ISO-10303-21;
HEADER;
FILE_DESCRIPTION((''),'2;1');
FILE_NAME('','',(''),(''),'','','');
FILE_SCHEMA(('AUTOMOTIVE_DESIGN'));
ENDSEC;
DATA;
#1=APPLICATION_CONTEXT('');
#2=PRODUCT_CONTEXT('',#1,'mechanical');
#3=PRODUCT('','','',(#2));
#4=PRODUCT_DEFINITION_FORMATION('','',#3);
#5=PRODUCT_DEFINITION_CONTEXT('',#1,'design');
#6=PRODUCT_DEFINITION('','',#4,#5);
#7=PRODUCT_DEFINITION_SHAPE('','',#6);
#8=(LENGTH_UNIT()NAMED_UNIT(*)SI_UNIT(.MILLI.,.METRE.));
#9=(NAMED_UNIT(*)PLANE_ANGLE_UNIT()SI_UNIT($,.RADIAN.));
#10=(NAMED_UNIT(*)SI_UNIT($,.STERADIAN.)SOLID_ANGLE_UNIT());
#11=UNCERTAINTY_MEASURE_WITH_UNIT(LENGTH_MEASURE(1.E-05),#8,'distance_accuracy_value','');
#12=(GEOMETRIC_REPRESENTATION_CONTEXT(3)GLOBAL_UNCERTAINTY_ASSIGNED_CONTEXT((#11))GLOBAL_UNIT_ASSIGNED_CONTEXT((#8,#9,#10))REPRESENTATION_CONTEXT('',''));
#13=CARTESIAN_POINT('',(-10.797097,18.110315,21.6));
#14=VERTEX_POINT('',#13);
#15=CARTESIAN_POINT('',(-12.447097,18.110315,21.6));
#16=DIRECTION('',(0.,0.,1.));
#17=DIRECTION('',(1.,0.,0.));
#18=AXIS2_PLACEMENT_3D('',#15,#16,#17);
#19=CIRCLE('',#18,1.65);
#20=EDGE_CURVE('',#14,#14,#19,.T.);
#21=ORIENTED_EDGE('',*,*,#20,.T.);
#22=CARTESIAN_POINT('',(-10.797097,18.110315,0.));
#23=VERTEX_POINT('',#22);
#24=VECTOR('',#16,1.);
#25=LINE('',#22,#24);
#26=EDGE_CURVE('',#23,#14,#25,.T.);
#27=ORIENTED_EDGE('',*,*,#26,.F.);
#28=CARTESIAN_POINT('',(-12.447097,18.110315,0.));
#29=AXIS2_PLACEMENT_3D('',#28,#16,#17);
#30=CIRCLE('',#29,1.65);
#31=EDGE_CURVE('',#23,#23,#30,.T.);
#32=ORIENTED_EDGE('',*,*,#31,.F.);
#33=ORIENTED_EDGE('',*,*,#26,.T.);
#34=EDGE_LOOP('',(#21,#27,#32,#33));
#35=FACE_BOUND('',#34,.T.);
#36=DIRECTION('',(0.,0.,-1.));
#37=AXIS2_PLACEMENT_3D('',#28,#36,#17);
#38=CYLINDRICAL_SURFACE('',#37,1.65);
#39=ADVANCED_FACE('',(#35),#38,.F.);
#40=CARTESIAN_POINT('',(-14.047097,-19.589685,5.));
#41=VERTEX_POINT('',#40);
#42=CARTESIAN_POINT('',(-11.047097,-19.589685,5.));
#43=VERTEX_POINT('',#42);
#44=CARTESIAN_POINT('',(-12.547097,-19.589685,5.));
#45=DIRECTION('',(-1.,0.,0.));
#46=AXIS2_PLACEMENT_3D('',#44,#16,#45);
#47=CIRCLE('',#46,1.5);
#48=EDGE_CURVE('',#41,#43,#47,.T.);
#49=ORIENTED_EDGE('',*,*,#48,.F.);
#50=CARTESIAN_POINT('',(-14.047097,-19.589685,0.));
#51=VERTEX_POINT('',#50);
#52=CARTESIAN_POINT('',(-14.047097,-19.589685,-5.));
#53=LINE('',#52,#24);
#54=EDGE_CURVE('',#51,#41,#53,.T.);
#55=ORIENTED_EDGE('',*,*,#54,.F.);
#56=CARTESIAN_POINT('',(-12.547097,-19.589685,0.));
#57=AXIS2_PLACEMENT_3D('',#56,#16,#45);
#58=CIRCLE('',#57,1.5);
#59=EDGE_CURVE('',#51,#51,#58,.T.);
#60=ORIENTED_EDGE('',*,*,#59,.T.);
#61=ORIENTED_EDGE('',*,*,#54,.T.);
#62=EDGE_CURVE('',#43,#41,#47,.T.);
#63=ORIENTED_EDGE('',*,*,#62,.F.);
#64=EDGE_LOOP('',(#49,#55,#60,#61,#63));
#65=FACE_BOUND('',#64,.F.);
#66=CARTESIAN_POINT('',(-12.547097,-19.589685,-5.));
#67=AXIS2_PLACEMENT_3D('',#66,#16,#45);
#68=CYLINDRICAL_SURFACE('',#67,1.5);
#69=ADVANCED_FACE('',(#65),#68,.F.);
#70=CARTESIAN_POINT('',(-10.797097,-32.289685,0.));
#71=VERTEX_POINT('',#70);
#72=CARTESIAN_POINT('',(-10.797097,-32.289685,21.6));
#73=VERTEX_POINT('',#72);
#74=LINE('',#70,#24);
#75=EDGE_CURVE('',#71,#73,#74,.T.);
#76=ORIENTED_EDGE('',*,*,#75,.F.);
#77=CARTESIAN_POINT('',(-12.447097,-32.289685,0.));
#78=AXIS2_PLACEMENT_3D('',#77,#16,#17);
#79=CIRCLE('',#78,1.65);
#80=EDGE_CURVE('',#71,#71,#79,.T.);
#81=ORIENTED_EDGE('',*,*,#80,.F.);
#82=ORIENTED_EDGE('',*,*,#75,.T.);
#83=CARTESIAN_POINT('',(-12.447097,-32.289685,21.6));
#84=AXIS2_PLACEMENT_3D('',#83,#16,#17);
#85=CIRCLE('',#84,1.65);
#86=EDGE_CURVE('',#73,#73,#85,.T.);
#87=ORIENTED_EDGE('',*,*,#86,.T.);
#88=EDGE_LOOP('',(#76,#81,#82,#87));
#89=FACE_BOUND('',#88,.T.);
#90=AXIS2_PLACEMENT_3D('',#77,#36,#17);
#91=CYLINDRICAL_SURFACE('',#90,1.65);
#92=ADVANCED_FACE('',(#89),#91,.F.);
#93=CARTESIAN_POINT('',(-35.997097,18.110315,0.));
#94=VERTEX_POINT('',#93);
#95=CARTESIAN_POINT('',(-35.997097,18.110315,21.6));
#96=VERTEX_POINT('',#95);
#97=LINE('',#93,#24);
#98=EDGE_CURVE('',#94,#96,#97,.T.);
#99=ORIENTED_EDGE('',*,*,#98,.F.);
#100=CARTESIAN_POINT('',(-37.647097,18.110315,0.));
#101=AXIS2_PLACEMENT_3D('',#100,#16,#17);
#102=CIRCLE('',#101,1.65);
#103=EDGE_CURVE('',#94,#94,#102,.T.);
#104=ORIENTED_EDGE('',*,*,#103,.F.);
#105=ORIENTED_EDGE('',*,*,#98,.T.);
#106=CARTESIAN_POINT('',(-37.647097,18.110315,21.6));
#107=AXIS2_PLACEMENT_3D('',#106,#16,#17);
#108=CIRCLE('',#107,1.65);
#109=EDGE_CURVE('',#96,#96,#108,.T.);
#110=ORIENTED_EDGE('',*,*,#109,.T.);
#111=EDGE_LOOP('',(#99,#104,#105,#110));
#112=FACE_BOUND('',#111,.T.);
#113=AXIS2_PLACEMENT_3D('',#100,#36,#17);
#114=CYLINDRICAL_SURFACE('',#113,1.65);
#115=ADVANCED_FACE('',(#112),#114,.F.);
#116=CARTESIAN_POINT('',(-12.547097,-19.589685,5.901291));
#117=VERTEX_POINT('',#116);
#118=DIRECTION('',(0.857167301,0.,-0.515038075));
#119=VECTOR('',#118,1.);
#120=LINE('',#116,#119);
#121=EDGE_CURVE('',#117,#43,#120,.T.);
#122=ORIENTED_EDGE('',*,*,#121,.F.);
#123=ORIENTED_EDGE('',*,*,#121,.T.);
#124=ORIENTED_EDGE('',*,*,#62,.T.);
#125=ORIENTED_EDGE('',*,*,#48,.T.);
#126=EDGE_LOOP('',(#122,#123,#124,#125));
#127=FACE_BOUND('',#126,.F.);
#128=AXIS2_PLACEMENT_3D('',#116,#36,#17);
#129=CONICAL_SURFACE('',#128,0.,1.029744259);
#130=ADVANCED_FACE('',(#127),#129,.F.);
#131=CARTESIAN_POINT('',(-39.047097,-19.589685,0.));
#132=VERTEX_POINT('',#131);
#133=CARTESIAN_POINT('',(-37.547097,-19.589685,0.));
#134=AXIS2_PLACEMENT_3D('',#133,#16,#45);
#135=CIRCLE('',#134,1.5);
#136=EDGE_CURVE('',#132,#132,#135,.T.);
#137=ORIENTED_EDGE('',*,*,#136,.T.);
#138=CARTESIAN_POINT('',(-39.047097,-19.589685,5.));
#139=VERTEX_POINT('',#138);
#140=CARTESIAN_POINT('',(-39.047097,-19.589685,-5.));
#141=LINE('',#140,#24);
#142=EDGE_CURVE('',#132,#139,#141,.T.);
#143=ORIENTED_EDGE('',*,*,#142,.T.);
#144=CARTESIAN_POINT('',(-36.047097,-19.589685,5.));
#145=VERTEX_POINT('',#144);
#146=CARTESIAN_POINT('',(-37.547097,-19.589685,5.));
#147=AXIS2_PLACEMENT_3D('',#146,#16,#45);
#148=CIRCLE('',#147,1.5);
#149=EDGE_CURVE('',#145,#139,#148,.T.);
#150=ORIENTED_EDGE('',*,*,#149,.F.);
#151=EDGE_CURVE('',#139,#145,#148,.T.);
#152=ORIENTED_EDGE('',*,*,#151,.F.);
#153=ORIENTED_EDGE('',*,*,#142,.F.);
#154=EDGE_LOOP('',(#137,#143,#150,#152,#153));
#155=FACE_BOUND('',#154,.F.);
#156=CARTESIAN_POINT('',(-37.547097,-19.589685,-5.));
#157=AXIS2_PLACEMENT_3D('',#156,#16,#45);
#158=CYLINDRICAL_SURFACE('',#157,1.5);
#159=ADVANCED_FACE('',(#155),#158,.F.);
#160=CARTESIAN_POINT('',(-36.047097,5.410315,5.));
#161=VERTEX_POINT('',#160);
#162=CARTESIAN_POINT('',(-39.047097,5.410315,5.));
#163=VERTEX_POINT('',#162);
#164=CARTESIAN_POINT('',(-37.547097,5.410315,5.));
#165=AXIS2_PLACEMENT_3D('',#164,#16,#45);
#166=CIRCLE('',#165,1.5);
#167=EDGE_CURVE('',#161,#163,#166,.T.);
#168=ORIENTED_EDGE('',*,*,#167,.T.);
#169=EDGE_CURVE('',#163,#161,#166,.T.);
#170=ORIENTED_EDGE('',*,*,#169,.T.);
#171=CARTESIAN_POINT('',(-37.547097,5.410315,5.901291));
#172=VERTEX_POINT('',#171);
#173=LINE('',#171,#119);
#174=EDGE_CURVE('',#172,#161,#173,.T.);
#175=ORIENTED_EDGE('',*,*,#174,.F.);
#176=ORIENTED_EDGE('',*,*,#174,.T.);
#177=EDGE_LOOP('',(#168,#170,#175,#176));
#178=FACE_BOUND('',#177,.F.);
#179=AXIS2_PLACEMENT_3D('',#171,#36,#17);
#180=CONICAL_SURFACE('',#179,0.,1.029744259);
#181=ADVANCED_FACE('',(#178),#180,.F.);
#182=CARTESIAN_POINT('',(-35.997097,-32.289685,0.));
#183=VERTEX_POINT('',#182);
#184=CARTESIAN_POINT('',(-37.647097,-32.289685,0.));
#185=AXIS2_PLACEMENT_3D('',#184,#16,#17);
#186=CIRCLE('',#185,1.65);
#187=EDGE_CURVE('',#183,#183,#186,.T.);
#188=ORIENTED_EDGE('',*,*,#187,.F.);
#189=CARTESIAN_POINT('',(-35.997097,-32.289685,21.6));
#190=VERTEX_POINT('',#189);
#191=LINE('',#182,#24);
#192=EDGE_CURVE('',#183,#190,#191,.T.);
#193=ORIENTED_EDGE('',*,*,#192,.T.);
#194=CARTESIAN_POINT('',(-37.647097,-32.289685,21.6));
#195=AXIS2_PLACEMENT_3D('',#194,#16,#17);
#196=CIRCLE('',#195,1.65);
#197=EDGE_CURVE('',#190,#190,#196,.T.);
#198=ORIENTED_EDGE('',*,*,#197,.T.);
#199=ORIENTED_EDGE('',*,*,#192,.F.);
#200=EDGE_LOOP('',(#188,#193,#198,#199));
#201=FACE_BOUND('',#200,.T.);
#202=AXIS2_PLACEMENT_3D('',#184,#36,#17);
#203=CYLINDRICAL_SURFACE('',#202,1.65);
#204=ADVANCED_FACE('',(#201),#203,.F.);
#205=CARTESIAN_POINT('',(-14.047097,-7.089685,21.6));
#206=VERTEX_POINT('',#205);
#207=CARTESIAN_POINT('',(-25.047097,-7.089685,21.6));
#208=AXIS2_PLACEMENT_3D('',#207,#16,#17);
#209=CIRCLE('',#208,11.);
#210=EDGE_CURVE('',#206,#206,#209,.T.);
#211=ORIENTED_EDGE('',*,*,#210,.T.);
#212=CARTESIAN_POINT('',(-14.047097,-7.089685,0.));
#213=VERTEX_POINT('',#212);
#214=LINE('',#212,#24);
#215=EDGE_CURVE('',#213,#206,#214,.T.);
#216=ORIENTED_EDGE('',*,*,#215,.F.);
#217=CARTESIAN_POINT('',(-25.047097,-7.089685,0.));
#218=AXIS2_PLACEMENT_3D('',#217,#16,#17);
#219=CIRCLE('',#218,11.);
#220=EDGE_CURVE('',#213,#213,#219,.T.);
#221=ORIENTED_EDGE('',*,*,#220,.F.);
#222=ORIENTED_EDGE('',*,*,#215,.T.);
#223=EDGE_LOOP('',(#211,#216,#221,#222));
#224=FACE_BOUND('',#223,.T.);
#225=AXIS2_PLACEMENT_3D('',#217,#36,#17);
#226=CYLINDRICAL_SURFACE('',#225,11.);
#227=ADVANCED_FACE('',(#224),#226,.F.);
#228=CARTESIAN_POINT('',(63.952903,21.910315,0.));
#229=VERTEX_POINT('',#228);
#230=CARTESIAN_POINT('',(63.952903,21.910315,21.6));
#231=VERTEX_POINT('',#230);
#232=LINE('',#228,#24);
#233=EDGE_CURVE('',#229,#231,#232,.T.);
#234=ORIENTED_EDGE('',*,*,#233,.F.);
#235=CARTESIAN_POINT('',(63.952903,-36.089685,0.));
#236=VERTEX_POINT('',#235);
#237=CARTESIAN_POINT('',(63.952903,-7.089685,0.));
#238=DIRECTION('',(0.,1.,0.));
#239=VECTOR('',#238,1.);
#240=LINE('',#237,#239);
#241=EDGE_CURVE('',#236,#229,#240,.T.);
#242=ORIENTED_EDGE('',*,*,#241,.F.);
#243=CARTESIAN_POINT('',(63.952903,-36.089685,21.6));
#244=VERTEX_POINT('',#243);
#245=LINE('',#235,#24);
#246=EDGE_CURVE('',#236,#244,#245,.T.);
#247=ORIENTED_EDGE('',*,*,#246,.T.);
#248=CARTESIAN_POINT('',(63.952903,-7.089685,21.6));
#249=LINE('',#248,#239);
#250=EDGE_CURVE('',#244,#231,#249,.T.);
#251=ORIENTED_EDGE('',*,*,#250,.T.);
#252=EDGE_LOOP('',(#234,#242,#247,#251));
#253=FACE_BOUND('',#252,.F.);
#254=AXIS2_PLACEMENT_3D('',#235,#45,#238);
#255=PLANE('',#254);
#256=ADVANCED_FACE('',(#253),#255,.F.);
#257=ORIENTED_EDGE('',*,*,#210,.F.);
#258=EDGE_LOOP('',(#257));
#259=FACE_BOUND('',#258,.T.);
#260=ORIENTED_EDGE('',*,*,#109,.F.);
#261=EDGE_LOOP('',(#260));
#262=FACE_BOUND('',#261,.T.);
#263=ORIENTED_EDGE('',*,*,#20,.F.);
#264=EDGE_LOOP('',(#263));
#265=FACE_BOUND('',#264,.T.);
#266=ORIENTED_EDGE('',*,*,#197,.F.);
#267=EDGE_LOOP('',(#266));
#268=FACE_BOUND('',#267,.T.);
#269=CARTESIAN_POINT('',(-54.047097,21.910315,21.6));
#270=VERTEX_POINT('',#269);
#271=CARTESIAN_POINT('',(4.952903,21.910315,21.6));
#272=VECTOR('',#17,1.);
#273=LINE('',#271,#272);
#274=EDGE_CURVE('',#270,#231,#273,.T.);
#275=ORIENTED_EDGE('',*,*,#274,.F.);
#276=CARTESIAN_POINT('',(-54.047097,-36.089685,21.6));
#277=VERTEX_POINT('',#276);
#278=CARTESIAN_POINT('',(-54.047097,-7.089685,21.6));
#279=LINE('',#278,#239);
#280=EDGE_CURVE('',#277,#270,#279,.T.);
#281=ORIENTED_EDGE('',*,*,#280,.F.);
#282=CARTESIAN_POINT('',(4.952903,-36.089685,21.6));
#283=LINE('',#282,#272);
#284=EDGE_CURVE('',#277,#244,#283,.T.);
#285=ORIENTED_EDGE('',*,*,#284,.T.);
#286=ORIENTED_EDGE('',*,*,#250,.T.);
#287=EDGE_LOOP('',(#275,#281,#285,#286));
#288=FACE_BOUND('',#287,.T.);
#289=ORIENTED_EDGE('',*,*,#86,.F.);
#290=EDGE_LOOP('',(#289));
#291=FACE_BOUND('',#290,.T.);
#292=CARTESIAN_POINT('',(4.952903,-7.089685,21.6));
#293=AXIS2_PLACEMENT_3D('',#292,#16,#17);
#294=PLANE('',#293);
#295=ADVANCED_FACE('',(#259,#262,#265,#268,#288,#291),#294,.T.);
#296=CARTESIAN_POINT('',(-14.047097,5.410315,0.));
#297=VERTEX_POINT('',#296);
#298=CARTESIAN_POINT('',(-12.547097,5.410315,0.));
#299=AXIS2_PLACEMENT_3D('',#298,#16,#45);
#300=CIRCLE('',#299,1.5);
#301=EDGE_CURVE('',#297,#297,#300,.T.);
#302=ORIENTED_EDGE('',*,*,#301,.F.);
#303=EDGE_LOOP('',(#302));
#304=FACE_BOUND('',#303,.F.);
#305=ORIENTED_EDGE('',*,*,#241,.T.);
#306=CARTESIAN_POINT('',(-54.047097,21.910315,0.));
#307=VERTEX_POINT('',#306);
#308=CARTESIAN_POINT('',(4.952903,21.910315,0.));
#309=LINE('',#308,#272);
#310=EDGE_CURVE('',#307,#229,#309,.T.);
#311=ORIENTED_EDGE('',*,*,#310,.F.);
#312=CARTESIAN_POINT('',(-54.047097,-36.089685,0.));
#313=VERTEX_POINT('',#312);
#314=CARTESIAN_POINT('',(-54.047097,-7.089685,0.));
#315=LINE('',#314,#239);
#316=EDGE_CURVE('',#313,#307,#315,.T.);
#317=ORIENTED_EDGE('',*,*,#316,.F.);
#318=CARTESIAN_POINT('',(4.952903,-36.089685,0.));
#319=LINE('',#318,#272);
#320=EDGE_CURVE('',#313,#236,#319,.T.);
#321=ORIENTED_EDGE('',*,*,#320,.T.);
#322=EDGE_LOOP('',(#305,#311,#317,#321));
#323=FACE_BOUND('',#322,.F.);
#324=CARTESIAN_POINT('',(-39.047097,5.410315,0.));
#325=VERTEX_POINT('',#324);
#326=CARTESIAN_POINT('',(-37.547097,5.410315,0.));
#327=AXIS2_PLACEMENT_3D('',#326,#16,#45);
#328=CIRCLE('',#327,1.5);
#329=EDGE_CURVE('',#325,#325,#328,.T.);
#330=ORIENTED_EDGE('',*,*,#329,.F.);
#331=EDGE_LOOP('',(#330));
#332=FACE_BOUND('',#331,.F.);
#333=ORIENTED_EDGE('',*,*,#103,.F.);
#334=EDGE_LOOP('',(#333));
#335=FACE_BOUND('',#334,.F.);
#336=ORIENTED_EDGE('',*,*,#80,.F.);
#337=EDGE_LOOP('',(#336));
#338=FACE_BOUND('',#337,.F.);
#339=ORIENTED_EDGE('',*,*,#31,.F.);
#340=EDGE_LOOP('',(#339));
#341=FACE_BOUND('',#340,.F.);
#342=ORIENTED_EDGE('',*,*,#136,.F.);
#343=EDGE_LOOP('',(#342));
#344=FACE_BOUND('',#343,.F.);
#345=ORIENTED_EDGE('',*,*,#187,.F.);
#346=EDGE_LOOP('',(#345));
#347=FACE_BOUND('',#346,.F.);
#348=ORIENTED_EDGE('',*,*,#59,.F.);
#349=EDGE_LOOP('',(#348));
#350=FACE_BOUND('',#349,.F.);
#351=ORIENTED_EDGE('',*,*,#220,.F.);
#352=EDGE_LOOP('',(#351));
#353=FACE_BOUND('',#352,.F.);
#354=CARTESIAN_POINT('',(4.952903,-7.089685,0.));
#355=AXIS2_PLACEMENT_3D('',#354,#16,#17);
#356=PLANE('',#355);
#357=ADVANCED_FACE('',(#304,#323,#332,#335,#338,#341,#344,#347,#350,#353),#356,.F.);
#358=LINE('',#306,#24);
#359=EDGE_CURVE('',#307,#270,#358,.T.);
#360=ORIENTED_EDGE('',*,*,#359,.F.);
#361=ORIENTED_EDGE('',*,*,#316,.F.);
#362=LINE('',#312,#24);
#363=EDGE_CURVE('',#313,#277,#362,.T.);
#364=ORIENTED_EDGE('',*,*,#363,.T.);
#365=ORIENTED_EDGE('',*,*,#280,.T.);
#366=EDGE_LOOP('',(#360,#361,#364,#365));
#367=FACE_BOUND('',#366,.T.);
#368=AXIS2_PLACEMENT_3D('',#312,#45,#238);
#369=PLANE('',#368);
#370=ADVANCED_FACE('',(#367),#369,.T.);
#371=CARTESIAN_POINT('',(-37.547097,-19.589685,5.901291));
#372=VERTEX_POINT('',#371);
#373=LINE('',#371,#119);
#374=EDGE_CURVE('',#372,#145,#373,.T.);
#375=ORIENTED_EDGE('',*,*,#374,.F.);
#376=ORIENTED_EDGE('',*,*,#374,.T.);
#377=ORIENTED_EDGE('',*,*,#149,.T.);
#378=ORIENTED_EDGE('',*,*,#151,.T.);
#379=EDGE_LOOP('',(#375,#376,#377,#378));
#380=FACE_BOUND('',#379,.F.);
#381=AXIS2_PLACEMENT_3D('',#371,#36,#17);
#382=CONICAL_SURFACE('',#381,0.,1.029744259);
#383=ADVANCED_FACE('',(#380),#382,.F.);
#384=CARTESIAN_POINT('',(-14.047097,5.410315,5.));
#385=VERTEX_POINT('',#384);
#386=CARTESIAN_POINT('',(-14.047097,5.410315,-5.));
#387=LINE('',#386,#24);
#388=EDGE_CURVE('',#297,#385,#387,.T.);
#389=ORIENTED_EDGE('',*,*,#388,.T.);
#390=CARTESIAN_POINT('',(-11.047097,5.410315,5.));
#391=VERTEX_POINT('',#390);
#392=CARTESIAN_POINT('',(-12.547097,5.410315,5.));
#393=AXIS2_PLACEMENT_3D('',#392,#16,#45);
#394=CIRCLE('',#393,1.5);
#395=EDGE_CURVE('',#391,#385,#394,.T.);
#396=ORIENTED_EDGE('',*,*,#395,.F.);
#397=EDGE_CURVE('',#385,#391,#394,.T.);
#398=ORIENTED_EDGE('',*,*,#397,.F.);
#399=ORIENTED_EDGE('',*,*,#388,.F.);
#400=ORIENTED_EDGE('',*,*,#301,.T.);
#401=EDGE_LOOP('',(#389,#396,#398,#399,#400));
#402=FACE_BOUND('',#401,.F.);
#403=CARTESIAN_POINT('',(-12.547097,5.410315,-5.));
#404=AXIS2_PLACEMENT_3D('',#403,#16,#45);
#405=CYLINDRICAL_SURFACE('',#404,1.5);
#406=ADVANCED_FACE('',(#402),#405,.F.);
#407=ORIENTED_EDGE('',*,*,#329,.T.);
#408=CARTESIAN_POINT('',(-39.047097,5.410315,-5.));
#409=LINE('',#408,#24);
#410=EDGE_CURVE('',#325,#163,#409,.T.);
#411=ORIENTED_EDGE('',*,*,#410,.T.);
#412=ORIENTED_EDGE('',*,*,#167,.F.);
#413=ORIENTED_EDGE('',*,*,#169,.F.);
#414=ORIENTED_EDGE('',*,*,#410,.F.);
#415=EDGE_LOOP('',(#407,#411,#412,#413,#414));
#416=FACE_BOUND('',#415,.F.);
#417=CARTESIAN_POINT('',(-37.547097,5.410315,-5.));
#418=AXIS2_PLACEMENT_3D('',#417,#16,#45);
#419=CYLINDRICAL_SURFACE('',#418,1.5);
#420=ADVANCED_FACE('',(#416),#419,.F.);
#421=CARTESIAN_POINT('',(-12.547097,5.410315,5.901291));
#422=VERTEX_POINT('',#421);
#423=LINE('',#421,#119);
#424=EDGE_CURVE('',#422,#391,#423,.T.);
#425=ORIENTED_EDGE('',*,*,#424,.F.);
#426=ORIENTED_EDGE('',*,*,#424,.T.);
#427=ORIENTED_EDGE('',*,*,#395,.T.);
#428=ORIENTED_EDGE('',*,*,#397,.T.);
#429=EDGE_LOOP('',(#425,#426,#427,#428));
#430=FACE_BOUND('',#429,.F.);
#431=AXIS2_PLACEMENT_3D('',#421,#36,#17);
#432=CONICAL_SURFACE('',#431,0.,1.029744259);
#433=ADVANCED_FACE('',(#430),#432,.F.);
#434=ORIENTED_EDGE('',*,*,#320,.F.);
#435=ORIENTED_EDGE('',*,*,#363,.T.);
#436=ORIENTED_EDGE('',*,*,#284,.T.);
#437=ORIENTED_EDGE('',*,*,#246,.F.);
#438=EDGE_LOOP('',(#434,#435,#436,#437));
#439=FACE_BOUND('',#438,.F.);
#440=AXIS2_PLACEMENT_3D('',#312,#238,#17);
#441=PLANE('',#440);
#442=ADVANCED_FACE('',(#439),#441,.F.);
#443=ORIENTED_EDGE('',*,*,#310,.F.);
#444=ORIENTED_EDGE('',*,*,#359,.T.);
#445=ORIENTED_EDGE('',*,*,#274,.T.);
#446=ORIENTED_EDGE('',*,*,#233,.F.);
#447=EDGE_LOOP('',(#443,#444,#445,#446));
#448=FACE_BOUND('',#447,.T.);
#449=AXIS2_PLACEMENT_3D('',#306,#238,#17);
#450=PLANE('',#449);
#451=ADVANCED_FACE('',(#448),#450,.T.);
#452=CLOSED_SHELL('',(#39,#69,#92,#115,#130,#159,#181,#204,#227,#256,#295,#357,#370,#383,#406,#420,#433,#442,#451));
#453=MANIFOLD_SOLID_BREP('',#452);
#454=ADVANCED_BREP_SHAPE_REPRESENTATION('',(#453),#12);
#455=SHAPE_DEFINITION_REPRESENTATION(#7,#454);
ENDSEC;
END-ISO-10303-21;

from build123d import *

# Parameters (mm, degrees)
F0_W     = 118
F0_H     = 58
F0_R     = 1.65
F0_R_2   = 11
F1_DEPTH = 21.6
F2_D     = 3
F2_DEPTH = 5
F2_TIP   = 0.9012909285


with BuildPart() as f1:
    # F0 (on Top) → F1 (new body)
    with BuildSketch(Plane.XY):
        with Locations((4.9529026613, -7.0896845311)):
            Rectangle(F0_W, F0_H)
        with Locations((-37.6470973387, -32.2896845311)):
            Circle(F0_R, mode=Mode.SUBTRACT)
        with Locations((-12.4470973387, -32.2896845311)):
            Circle(F0_R, mode=Mode.SUBTRACT)
        with Locations((-25.0470973387, -7.0896845311)):
            Circle(F0_R_2, mode=Mode.SUBTRACT)
        with Locations((-37.6470973387, 18.1103154689)):
            Circle(F0_R, mode=Mode.SUBTRACT)
        with Locations((-12.4470973387, 18.1103154689)):
            Circle(F0_R, mode=Mode.SUBTRACT)
    extrude(amount=F1_DEPTH)

    # F2
    with Locations(Plane(origin=(0, 0, 0), x_dir=(1, 0, 0), z_dir=(0, 0, -1))):
        with Locations((-37.5470973387, 19.5896845311), (-12.5470973387, 19.5896845311), (-12.5470973387, -5.4103154689), (-37.5470973387, -5.4103154689)):
            Hole(F2_D / 2, depth=F2_DEPTH)
            with Locations((0, 0, -(F2_DEPTH + F2_TIP / 2))):  # 118° drill point
                Cone(0, F2_D / 2, F2_TIP, mode=Mode.SUBTRACT)


solid = f1.part
